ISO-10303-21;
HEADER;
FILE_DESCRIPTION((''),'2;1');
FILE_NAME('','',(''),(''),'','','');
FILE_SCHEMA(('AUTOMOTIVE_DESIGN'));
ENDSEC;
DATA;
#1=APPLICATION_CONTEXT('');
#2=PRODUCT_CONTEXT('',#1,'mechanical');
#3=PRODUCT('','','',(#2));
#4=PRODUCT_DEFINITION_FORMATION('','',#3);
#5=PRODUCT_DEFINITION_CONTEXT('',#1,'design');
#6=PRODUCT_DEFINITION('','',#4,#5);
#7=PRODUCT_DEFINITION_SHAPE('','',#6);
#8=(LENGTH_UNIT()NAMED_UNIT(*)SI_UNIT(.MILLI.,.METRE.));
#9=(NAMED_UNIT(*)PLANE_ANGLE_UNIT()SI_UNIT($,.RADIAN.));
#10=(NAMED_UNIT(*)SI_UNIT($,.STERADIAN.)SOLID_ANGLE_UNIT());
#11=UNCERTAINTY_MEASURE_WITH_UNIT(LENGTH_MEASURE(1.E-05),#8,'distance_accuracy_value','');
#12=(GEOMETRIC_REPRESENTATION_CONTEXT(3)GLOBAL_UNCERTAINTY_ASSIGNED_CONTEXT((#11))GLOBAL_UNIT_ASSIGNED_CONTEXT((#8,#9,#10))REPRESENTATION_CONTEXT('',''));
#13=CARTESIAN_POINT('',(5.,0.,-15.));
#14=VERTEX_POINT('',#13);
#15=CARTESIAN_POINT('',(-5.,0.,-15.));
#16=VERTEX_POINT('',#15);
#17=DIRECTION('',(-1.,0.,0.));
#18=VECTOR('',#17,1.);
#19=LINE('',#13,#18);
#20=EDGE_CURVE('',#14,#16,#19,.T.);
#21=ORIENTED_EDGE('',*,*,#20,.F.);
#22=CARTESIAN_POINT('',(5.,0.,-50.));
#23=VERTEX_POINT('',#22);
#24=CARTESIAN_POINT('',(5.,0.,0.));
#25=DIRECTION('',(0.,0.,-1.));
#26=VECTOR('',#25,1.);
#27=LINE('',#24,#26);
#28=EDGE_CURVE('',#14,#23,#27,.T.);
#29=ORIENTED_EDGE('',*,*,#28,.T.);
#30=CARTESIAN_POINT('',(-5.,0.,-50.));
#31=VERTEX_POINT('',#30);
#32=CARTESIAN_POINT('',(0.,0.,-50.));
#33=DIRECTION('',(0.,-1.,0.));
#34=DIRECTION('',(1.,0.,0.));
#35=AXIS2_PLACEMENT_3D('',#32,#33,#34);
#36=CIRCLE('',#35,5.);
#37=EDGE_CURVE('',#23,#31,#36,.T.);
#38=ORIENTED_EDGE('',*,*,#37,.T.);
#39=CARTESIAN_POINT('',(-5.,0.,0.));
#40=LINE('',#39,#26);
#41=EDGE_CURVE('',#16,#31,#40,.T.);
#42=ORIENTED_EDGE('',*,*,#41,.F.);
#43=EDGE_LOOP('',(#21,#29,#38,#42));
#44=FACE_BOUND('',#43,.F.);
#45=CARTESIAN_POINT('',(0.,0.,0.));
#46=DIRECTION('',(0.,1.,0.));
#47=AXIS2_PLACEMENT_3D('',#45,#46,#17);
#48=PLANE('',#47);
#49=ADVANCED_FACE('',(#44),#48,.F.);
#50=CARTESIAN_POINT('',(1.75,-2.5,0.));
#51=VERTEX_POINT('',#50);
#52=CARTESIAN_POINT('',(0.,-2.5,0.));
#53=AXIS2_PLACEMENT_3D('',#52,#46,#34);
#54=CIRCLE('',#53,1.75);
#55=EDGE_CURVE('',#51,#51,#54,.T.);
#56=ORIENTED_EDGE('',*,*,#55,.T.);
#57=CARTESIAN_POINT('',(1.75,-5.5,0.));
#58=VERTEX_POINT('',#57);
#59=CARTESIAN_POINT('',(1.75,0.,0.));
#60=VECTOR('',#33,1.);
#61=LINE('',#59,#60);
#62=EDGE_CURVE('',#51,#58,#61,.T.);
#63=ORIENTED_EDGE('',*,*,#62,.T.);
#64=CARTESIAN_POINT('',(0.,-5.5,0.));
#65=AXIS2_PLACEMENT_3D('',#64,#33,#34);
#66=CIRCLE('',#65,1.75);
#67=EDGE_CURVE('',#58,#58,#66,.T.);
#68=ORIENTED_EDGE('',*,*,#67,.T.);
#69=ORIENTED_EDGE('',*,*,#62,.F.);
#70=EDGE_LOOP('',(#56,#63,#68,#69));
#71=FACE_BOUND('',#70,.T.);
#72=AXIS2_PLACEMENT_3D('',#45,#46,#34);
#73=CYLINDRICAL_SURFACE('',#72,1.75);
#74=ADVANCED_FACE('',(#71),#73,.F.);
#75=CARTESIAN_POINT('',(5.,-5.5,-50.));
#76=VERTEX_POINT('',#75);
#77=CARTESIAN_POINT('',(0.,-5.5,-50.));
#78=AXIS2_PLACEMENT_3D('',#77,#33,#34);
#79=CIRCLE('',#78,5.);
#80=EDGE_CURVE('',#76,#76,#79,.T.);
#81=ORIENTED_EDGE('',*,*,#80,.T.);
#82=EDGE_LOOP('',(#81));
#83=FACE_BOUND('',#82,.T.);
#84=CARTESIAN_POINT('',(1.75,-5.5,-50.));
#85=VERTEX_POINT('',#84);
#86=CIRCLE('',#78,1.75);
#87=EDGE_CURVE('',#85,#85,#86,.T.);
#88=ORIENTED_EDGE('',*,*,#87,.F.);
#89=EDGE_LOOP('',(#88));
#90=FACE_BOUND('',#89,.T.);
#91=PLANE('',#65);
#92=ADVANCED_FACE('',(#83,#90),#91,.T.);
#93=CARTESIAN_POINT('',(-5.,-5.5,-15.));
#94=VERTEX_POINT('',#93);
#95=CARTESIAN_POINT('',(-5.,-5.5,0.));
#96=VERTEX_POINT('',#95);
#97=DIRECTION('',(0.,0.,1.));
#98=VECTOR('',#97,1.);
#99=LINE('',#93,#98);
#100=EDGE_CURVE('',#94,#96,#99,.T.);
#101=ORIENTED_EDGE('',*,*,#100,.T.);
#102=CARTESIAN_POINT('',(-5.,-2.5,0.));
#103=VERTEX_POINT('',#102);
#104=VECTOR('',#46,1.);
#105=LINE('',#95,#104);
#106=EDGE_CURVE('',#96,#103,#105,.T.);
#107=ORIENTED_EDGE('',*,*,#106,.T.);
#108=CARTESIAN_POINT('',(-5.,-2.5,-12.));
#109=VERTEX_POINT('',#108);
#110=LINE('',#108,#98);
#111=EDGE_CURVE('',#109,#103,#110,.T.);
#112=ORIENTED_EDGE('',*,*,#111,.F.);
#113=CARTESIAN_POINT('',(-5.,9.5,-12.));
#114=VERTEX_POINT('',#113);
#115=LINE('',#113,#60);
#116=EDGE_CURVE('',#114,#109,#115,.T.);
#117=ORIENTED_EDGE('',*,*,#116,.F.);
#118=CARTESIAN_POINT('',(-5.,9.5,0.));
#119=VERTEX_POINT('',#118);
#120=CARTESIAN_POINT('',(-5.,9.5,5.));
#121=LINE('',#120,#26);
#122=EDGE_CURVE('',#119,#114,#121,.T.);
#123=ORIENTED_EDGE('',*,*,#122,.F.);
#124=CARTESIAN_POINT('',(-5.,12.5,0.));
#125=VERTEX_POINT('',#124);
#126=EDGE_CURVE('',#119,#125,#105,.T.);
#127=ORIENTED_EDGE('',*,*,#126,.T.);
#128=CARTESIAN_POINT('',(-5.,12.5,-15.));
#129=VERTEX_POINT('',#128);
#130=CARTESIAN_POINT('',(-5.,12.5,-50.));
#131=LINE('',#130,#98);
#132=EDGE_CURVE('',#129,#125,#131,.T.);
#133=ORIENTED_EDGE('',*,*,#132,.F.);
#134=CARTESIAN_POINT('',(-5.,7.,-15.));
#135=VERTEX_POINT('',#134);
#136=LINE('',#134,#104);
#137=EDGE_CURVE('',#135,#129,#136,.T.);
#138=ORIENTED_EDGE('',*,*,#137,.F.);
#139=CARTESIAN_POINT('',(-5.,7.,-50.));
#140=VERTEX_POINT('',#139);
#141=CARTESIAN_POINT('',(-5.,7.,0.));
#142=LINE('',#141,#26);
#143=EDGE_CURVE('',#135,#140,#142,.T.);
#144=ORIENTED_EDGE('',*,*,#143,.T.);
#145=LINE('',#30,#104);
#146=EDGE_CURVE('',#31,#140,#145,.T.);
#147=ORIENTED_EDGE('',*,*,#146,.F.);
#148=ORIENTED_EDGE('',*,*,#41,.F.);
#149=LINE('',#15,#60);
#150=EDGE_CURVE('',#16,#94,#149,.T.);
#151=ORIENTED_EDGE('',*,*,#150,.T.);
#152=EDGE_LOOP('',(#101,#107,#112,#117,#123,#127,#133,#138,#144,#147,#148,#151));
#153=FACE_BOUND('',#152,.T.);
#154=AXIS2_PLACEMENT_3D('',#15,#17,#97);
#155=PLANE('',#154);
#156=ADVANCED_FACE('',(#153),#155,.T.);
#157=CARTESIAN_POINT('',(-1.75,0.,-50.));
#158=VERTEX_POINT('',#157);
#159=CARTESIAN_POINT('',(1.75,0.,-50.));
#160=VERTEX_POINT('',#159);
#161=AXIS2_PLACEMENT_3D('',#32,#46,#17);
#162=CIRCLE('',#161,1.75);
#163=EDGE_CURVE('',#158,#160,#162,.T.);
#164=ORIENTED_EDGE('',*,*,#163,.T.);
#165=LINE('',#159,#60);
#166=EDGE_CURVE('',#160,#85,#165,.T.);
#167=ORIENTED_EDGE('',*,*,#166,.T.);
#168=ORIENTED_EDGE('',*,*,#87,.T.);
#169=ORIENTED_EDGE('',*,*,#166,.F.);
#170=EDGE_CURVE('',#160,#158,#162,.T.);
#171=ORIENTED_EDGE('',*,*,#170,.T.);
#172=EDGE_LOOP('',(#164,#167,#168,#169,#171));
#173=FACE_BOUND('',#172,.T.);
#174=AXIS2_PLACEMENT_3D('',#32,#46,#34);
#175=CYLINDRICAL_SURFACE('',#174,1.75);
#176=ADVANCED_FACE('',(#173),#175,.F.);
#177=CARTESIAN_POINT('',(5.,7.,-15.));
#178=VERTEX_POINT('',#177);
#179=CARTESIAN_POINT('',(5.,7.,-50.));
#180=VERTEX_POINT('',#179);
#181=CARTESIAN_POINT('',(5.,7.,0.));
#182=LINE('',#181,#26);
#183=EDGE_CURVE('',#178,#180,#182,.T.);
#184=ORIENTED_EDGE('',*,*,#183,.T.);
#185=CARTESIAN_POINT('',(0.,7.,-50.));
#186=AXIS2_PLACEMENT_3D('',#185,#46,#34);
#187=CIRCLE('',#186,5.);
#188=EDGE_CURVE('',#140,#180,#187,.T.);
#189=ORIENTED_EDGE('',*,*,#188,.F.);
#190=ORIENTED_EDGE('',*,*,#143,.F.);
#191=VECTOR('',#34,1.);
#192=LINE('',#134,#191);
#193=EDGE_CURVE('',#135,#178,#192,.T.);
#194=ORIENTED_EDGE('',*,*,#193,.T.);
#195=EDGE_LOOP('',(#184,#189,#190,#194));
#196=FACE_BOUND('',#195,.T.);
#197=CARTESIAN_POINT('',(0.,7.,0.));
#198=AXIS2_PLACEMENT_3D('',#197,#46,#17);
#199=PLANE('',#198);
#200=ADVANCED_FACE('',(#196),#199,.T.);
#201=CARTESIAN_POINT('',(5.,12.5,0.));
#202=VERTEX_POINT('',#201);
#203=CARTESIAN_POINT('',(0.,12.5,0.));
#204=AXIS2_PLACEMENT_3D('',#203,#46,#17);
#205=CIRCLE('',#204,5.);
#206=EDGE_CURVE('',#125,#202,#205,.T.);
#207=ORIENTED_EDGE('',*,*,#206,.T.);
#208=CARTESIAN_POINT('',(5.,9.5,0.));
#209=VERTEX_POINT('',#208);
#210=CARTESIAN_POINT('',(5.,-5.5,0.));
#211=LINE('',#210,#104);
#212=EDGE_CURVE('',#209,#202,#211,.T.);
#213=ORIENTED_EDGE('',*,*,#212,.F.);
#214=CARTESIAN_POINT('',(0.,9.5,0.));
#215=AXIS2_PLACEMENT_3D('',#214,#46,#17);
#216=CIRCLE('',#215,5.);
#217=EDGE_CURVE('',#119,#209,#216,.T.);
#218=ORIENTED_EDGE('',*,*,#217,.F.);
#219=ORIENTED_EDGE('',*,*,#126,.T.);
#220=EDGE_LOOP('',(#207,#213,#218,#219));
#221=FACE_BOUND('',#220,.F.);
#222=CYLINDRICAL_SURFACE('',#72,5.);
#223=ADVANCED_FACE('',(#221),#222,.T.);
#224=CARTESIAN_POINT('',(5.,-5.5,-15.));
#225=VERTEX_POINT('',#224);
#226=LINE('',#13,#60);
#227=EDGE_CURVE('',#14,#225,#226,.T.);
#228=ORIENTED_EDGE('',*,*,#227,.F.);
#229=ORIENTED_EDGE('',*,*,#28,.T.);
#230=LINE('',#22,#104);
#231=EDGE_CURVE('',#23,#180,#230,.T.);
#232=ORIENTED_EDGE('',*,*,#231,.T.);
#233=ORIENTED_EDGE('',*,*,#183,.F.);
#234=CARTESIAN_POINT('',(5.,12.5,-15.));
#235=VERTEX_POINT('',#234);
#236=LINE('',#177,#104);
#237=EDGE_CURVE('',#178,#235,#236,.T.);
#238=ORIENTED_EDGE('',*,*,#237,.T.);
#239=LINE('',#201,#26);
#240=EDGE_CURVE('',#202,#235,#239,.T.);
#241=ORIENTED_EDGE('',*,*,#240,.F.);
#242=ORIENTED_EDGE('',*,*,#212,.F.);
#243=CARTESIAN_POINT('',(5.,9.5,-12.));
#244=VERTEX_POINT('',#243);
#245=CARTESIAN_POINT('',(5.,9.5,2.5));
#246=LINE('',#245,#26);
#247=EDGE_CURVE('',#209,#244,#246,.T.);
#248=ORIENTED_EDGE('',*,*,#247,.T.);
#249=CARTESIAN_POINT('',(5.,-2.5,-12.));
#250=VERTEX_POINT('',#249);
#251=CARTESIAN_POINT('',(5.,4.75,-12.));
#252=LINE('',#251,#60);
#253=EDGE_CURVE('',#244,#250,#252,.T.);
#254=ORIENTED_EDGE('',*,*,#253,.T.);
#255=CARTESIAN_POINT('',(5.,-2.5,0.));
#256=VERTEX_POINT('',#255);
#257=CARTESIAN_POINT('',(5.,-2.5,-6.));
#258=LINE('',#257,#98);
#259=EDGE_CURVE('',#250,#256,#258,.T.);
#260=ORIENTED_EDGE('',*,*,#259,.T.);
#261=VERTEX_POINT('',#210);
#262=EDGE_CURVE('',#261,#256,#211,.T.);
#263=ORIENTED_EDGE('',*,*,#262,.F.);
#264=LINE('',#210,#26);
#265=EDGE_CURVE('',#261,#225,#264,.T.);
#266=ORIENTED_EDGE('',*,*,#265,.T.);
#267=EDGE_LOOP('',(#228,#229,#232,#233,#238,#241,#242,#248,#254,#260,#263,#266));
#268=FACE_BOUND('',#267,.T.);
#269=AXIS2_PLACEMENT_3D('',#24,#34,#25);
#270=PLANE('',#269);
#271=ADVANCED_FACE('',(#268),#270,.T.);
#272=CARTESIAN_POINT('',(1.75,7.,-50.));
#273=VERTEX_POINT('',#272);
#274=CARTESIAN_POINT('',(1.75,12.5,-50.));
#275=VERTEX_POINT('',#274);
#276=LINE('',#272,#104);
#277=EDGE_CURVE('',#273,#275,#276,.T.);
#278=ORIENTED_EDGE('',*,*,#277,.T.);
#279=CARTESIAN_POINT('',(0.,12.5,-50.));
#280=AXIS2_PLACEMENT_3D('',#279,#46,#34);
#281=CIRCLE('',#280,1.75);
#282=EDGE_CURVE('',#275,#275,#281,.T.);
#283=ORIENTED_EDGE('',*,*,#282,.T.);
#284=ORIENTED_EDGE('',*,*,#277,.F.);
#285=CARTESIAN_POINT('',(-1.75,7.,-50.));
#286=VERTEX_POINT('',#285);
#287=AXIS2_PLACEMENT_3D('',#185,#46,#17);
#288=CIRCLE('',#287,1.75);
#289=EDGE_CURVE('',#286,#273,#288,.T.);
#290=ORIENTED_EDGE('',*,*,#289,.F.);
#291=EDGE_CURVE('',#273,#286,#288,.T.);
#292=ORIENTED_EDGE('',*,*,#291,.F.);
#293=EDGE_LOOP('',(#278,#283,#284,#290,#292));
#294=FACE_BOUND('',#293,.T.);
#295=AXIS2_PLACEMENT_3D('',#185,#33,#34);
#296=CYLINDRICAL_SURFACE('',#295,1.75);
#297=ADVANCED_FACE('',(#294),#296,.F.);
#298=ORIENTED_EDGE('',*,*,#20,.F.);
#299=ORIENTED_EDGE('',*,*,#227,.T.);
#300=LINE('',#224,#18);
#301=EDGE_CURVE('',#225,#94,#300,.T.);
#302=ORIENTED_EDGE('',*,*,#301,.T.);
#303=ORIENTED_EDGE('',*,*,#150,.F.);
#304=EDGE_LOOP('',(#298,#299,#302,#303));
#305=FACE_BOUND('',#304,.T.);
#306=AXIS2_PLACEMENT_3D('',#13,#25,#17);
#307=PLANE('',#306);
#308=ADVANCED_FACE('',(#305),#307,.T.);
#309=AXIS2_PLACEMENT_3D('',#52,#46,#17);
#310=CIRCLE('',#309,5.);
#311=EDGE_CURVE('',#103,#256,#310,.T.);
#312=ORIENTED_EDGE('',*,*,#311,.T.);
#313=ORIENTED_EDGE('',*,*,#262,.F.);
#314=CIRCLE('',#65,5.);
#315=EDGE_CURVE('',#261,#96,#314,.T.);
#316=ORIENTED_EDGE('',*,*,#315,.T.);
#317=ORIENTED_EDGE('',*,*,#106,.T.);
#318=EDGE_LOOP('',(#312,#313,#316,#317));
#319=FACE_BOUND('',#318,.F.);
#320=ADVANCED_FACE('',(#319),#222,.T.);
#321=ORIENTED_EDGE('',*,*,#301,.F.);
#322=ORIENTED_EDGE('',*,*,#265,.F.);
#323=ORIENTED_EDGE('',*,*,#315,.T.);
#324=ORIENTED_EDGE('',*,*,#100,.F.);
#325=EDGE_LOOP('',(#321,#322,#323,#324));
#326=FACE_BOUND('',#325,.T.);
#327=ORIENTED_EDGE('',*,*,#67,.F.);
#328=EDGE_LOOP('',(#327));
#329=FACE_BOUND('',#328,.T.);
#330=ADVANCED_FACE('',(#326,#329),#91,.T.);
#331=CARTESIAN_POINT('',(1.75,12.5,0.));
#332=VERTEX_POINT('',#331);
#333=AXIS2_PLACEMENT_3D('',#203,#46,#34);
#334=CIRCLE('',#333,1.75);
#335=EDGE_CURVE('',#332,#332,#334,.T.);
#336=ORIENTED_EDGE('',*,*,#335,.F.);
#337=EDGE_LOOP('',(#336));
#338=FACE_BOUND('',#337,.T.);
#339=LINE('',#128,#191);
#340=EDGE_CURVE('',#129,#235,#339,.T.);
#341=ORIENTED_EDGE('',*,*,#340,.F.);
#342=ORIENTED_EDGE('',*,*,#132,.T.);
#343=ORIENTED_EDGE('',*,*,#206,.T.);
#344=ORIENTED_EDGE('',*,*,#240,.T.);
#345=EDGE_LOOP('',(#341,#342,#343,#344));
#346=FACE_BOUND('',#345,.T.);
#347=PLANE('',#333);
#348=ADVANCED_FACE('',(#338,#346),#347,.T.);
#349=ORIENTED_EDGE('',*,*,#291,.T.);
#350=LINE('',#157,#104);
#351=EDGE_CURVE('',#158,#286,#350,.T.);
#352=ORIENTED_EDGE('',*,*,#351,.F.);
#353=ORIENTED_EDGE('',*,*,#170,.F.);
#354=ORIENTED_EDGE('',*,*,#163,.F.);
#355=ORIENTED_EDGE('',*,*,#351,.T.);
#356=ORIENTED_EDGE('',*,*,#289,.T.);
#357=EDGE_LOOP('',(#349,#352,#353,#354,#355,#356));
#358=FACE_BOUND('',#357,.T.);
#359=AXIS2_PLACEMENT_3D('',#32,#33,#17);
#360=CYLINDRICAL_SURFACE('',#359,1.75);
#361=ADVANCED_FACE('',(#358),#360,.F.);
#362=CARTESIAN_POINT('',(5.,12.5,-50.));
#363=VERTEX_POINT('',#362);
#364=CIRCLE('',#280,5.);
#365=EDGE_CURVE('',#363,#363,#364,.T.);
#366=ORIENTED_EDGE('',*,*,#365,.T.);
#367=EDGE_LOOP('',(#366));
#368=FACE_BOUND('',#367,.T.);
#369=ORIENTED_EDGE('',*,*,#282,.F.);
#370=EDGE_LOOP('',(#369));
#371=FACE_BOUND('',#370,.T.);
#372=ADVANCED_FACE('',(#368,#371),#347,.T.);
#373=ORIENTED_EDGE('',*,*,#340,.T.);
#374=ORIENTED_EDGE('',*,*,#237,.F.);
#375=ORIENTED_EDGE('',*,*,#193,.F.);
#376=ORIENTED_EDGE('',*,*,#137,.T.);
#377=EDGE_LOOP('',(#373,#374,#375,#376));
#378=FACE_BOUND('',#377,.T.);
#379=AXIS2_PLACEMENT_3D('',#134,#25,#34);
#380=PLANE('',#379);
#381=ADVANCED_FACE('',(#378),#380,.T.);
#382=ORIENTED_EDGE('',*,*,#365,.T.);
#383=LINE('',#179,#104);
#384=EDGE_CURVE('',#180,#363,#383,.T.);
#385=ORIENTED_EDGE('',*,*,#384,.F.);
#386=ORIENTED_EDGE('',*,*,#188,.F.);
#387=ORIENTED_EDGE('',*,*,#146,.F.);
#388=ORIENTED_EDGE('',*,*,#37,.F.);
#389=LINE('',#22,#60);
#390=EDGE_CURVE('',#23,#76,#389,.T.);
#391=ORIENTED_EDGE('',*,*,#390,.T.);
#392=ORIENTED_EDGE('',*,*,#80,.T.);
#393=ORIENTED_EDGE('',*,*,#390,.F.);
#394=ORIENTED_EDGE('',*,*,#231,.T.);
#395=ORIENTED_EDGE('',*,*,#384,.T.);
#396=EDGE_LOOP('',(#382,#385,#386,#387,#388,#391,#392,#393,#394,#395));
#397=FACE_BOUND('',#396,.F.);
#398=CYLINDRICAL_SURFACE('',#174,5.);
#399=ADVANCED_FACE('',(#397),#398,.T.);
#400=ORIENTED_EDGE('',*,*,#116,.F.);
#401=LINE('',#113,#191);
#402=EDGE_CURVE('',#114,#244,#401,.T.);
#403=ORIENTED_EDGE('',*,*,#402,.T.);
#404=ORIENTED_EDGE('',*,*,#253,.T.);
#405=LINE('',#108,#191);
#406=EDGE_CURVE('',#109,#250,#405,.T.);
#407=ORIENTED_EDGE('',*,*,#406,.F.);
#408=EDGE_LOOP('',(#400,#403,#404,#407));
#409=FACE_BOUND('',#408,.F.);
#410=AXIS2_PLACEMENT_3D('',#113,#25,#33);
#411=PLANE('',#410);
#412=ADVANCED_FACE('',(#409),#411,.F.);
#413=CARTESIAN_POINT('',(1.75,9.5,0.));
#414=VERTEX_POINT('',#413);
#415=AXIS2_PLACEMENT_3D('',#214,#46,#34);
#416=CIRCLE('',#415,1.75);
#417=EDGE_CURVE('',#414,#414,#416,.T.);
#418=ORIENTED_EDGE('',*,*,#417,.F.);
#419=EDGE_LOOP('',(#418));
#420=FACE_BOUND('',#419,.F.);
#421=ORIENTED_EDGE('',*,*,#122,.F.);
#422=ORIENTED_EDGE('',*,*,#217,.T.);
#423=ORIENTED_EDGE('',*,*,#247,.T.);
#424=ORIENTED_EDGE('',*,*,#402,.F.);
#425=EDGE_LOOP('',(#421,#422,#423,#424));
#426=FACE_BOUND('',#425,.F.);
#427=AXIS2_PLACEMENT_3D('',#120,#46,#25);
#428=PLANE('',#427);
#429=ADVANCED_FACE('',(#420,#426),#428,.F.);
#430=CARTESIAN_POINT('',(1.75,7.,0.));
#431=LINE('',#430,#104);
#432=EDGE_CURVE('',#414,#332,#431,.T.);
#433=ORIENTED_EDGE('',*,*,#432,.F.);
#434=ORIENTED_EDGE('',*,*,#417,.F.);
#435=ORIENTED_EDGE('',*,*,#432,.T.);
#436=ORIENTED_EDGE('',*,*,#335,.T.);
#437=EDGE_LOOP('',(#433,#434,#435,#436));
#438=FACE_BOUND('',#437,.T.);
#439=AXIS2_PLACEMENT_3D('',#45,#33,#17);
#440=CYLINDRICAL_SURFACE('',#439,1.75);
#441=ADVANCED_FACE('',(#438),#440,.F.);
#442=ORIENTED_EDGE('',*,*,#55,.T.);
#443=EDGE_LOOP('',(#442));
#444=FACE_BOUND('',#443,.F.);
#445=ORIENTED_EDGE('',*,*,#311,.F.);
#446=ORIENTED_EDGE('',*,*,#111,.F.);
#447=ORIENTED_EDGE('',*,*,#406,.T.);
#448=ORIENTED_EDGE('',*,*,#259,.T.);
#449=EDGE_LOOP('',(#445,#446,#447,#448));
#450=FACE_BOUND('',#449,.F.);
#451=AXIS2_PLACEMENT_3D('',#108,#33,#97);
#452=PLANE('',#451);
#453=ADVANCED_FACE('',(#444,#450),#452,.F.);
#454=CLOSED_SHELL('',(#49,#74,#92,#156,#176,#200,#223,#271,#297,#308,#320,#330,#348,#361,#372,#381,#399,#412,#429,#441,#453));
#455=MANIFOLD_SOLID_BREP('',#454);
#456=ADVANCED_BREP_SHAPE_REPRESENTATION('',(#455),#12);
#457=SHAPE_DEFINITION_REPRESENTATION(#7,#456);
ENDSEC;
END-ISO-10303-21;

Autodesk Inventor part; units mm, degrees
ref_plane "YZ Plane" through (0, 0, 0) normal (1, 0, 0) x (0, 1, 0)
ref_plane "XY Plane" through (0, 0, 0) normal (0, 0, 1) x (1, 0, 0)
sketch "草圖1" plane through (0, 0, 0) normal (0, 1, 0) x (-1, 0, 0)
  circle A0 centre (0, 0) radius 1.75
  arc A1 (5, 0) -> (-5, 0) centre (0, 0) ccw
  circle A2 centre (0, -50) radius 1.75
  arc A3 (-5, -50) -> (5, -50) centre (0, -50) ccw
  line L0 (5, 0) -> (5, -50)
  line L1 (-5, 0) -> (-5, -50)
  dimension "d1" = 3.5
  dimension "d2" = 10
  dimension "d3" = 3.5
  dimension "d4" = 10
  dimension "d36" = 50
extrude "擠出1" add sketch "草圖1" along normal blind 7
sketch "草圖2" plane through (0, 7, 0) normal (0, 1, 0) x (1, 0, 0)
  line L0 (0, 0) -> (0, 15) construction
  line L1 (-5, 50) -> (-5, 0) projected
  line L2 (5, 0) -> (5, 50) projected
  arc A0 (-5, 0) -> (5, 0) centre (0, 0) ccw projected
  circle A1 centre (0, 0) radius 1.75 projected
  line L3 (-5, 15) -> (5, 15)
  point P0 (-5, 9)
  point P1 (5, 9)
  dimension "d7" = 15
sketch "草圖3" plane through (0, 0, 0) normal (0, -1, 0) x (1, 0, 0)
  line L0 (-5, -9) -> (5, -9) projected
  arc A0 (5, 0) -> (-5, 0) centre (0, 0) ccw projected
  line L1 (-5, -50) -> (-5, 0) projected
  circle A1 centre (0, 0) radius 1.75 projected
  line L2 (5, 0) -> (5, -50) projected
extrude "擠出2" add sketch "草圖2" along normal blind 5.5
sketch "草圖5" plane through (0, 7, 0) normal (0, 1, 0) x (1, 0, 0)
  circle A0 centre (0, 50) radius 1.75 projected
  circle A1 centre (0, 50) radius 5
  point P0 (0, 0)
  dimension "d17" = 10
extrude "擠出5" add sketch "草圖5" along normal blind 5.5
sketch "草圖6" plane through (0, 0, 0) normal (0, -1, 0) x (1, 0, 0)
  circle A0 centre (0, -50) radius 1.75 projected
  circle A1 centre (0, -50) radius 5
  point P0 (0, 0)
  dimension "d20" = 10
extrude "擠出6" add sketch "草圖6" along normal blind 5.5
sketch "草圖9" plane through (0, 0, 0) normal (0, -1, 0) x (1, 0, 0)
  circle A0 centre (0, 0) radius 1.75 projected
  circle A1 centre (0, 0) radius 1.75 projected
  line L0 (-5, -15) -> (-5, 0) projected
  arc A2 (5, 0) -> (-5, 0) centre (0, 0) ccw projected
  line L1 (5, 0) -> (5, -15) projected
  line L2 (5, -15) -> (-5, -15) projected
extrude "擠出7" add sketch "草圖9" along normal blind 5.5
sketch "草圖10" plane through (-5, 0, -50) normal (-1, 0, 0) x (0, 0, 1)
  line L0 (55, 12.5) -> (50, 12.5) construction
  line L1 (55, 12.5) -> (55, 9.5) construction
  line L2 (55, -5.5) -> (55, 12.5) construction
  line L3 (55, 9.5) -> (38, 9.5)
  line L4 (38, 9.5) -> (38, -2.5)
  line L5 (38, -2.5) -> (55, -2.5)
  line L6 (55, 9.5) -> (55, -2.5)
  point P0 (50, 0)
  dimension "d25" = 3
  dimension "d26" = 17
  dimension "d27" = 12
extrude "擠出8" cut sketch "草圖10" against normal up to next
ref_plane "工作平面1" through (0, 3.5, 0) normal (0, 1, 0) x (-1, 0, 0)
sketch "草圖11" plane through (0, 3.5, 0) normal (0, 1, 0) x (-1, 0, 0)
  circle A0 centre (0, 0) radius 1.75 projected
  line L0 (5, -15) -> (5, 0) projected
  arc A1 (5, 0) -> (-5, 0) centre (0, 0) ccw projected
  line L1 (-5, 0) -> (-5, -15) projected
  line L2 (-5, -15) -> (5, -15) projected
  arc A2 (5, -50) -> (-5, -50) centre (0, -50) ccw projected
  line L3 (5, -50) -> (5, -15) projected
  line L4 (5, -15) -> (-5, -15) projected
  line L5 (-5, -15) -> (-5, -50) projected
  circle A3 centre (0, -50) radius 1.75 projected
  circle A4 centre (0, -50) radius 5 projected
  dimension "d35" = 50
properties part number "筷子套軸"
